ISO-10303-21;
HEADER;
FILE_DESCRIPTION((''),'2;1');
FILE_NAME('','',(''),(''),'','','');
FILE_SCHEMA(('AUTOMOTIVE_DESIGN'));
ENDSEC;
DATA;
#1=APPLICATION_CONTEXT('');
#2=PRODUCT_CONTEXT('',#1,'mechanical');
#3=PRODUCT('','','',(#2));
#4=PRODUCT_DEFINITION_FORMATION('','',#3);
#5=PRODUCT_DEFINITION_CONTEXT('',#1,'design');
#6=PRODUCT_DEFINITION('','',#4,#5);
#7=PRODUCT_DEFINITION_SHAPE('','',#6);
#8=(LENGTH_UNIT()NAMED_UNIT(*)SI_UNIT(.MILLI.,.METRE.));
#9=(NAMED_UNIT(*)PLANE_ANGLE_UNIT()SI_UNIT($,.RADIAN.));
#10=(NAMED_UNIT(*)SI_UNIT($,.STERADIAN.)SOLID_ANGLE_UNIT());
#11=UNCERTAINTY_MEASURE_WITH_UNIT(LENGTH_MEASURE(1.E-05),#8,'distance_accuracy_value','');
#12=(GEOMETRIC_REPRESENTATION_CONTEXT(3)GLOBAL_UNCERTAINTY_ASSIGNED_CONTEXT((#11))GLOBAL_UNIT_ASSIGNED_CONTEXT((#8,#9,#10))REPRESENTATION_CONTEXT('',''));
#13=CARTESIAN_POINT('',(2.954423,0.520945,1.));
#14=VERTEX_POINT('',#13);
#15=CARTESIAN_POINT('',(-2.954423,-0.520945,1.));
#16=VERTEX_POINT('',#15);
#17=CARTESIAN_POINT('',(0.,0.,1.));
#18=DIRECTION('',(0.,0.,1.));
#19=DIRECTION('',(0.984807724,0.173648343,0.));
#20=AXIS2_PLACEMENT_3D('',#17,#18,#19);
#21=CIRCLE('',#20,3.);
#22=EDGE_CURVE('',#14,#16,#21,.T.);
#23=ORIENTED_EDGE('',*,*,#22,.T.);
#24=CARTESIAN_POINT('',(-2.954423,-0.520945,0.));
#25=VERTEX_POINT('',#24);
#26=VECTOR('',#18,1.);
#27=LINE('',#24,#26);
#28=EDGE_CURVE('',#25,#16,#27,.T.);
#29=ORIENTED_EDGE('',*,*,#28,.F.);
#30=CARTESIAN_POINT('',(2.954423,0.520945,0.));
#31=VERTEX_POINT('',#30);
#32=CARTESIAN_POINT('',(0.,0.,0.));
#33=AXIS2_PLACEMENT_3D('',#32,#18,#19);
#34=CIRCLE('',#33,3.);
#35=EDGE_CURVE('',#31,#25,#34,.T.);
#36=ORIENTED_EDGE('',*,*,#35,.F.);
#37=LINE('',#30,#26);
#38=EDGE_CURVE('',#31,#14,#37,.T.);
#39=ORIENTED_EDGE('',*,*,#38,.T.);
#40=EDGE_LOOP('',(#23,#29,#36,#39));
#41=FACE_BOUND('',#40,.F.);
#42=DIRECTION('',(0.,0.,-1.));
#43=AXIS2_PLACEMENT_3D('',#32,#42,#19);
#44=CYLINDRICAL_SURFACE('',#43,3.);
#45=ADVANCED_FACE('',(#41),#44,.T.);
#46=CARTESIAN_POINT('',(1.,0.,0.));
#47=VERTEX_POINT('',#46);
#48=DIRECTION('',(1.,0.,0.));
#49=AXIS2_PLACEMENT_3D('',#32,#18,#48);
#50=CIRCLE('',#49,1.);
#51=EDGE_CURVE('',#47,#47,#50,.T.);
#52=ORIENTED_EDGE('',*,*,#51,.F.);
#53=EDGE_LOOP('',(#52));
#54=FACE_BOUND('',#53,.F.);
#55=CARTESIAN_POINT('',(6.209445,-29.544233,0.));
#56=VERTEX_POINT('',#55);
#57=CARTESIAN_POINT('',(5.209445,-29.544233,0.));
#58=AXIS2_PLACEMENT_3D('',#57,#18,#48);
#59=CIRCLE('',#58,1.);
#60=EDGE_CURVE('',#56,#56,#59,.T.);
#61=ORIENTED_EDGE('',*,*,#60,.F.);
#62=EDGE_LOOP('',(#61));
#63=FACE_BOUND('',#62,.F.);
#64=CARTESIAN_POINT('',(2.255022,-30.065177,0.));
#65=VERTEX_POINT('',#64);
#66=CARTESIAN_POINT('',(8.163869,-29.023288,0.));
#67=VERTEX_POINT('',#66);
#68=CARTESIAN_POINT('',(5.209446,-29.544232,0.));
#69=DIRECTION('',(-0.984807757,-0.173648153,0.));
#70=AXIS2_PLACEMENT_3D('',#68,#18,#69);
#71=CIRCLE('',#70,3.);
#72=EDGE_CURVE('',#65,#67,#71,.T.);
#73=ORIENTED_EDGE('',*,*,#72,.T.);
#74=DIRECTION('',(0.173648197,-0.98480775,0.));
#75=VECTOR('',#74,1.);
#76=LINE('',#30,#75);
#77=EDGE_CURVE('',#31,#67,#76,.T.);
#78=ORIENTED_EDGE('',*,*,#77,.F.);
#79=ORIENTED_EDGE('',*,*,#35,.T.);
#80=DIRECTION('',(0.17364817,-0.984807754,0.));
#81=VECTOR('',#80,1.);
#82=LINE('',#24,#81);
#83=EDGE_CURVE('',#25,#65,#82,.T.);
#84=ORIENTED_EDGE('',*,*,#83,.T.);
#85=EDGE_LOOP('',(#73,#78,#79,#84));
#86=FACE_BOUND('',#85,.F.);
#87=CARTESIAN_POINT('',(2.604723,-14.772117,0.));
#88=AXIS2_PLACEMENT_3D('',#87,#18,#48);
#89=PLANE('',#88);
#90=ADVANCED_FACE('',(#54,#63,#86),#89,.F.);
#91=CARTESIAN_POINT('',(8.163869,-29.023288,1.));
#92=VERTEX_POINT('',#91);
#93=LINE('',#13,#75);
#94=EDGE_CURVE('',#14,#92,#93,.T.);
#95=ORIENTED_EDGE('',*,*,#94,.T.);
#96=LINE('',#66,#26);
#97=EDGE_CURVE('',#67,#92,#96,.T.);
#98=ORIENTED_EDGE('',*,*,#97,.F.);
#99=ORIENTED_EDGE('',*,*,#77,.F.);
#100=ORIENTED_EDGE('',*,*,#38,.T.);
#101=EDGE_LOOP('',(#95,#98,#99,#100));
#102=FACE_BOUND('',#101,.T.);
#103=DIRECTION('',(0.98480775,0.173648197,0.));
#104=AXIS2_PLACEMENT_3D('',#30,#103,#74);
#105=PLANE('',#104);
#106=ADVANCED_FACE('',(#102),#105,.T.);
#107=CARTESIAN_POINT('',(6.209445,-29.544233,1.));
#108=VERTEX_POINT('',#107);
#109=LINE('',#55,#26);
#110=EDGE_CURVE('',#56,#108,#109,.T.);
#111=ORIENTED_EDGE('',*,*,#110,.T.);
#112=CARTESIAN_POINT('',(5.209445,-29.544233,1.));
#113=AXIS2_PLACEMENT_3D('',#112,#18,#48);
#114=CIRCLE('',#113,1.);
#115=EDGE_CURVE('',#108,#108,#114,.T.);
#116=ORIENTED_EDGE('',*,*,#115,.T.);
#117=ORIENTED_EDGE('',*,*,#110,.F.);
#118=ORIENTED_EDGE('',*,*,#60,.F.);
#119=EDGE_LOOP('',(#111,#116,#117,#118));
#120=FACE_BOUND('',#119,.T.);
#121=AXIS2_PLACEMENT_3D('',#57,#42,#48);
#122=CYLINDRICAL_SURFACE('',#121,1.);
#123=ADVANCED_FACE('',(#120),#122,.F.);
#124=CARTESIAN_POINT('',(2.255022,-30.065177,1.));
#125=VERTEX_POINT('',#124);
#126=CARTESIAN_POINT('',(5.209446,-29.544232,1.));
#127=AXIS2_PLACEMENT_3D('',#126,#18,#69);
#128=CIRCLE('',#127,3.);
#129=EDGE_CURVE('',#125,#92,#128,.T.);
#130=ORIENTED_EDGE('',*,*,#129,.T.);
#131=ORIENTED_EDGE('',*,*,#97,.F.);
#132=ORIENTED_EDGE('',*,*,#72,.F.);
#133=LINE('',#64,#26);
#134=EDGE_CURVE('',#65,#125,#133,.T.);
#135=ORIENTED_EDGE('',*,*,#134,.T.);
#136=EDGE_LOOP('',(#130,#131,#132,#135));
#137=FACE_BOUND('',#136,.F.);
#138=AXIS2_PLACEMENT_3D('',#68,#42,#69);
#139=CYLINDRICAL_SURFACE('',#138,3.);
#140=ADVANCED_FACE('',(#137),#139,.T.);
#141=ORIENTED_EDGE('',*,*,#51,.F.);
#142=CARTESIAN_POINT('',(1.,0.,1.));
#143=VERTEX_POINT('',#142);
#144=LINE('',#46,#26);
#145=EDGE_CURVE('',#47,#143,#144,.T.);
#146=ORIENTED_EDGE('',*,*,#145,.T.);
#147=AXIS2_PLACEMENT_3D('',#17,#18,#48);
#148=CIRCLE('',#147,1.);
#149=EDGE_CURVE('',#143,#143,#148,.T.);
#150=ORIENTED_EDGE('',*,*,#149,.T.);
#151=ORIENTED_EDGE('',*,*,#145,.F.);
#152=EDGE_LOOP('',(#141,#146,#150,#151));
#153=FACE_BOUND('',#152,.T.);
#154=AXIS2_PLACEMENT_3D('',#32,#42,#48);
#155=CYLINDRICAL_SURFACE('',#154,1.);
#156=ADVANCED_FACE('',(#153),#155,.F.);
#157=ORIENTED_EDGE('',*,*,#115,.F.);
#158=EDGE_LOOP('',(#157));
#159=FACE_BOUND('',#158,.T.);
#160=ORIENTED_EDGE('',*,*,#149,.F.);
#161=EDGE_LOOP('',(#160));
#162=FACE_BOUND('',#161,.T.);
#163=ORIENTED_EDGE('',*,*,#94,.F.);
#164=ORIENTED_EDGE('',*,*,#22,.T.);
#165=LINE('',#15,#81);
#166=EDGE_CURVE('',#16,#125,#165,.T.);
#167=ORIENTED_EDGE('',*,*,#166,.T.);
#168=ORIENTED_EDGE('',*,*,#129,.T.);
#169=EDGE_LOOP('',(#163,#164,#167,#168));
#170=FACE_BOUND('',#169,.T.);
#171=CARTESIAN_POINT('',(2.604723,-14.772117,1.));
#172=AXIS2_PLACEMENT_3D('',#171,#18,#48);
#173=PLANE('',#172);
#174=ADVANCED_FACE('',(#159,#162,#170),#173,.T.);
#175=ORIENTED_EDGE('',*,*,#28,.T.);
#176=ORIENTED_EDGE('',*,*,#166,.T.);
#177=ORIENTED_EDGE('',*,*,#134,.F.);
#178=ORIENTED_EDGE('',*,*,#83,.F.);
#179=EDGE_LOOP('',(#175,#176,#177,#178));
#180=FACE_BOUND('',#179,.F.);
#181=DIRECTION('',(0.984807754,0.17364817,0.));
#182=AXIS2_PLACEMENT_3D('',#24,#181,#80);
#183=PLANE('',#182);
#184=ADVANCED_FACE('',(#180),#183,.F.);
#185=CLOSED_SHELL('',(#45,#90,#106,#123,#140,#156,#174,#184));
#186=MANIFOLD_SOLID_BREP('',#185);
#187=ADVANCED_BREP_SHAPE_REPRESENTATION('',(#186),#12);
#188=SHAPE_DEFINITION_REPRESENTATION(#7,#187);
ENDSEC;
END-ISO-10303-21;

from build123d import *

# Parameters (mm, degrees)
SKETCH_R  = 1
PAD_DEPTH = 1


with BuildPart() as part:
    # Sketch → Pad (new body)
    with BuildSketch(Plane.XY):
        with BuildLine():
            ThreePointArc((2.954423, 0.520945), (-0.520945, 2.954423), (-2.954423, -0.520945))
            Line((-2.954423, -0.520945), (2.255022, -30.065177))
            ThreePointArc((2.255022, -30.065177), (5.73039, -32.498656), (8.163869, -29.023288))
            Line((2.954423, 0.520945), (8.163869, -29.023288))
        make_face()
        Circle(SKETCH_R, mode=Mode.SUBTRACT)
        with Locations((5.209445, -29.544233)):
            Circle(SKETCH_R, mode=Mode.SUBTRACT)
    extrude(amount=PAD_DEPTH)


solid = part.part
